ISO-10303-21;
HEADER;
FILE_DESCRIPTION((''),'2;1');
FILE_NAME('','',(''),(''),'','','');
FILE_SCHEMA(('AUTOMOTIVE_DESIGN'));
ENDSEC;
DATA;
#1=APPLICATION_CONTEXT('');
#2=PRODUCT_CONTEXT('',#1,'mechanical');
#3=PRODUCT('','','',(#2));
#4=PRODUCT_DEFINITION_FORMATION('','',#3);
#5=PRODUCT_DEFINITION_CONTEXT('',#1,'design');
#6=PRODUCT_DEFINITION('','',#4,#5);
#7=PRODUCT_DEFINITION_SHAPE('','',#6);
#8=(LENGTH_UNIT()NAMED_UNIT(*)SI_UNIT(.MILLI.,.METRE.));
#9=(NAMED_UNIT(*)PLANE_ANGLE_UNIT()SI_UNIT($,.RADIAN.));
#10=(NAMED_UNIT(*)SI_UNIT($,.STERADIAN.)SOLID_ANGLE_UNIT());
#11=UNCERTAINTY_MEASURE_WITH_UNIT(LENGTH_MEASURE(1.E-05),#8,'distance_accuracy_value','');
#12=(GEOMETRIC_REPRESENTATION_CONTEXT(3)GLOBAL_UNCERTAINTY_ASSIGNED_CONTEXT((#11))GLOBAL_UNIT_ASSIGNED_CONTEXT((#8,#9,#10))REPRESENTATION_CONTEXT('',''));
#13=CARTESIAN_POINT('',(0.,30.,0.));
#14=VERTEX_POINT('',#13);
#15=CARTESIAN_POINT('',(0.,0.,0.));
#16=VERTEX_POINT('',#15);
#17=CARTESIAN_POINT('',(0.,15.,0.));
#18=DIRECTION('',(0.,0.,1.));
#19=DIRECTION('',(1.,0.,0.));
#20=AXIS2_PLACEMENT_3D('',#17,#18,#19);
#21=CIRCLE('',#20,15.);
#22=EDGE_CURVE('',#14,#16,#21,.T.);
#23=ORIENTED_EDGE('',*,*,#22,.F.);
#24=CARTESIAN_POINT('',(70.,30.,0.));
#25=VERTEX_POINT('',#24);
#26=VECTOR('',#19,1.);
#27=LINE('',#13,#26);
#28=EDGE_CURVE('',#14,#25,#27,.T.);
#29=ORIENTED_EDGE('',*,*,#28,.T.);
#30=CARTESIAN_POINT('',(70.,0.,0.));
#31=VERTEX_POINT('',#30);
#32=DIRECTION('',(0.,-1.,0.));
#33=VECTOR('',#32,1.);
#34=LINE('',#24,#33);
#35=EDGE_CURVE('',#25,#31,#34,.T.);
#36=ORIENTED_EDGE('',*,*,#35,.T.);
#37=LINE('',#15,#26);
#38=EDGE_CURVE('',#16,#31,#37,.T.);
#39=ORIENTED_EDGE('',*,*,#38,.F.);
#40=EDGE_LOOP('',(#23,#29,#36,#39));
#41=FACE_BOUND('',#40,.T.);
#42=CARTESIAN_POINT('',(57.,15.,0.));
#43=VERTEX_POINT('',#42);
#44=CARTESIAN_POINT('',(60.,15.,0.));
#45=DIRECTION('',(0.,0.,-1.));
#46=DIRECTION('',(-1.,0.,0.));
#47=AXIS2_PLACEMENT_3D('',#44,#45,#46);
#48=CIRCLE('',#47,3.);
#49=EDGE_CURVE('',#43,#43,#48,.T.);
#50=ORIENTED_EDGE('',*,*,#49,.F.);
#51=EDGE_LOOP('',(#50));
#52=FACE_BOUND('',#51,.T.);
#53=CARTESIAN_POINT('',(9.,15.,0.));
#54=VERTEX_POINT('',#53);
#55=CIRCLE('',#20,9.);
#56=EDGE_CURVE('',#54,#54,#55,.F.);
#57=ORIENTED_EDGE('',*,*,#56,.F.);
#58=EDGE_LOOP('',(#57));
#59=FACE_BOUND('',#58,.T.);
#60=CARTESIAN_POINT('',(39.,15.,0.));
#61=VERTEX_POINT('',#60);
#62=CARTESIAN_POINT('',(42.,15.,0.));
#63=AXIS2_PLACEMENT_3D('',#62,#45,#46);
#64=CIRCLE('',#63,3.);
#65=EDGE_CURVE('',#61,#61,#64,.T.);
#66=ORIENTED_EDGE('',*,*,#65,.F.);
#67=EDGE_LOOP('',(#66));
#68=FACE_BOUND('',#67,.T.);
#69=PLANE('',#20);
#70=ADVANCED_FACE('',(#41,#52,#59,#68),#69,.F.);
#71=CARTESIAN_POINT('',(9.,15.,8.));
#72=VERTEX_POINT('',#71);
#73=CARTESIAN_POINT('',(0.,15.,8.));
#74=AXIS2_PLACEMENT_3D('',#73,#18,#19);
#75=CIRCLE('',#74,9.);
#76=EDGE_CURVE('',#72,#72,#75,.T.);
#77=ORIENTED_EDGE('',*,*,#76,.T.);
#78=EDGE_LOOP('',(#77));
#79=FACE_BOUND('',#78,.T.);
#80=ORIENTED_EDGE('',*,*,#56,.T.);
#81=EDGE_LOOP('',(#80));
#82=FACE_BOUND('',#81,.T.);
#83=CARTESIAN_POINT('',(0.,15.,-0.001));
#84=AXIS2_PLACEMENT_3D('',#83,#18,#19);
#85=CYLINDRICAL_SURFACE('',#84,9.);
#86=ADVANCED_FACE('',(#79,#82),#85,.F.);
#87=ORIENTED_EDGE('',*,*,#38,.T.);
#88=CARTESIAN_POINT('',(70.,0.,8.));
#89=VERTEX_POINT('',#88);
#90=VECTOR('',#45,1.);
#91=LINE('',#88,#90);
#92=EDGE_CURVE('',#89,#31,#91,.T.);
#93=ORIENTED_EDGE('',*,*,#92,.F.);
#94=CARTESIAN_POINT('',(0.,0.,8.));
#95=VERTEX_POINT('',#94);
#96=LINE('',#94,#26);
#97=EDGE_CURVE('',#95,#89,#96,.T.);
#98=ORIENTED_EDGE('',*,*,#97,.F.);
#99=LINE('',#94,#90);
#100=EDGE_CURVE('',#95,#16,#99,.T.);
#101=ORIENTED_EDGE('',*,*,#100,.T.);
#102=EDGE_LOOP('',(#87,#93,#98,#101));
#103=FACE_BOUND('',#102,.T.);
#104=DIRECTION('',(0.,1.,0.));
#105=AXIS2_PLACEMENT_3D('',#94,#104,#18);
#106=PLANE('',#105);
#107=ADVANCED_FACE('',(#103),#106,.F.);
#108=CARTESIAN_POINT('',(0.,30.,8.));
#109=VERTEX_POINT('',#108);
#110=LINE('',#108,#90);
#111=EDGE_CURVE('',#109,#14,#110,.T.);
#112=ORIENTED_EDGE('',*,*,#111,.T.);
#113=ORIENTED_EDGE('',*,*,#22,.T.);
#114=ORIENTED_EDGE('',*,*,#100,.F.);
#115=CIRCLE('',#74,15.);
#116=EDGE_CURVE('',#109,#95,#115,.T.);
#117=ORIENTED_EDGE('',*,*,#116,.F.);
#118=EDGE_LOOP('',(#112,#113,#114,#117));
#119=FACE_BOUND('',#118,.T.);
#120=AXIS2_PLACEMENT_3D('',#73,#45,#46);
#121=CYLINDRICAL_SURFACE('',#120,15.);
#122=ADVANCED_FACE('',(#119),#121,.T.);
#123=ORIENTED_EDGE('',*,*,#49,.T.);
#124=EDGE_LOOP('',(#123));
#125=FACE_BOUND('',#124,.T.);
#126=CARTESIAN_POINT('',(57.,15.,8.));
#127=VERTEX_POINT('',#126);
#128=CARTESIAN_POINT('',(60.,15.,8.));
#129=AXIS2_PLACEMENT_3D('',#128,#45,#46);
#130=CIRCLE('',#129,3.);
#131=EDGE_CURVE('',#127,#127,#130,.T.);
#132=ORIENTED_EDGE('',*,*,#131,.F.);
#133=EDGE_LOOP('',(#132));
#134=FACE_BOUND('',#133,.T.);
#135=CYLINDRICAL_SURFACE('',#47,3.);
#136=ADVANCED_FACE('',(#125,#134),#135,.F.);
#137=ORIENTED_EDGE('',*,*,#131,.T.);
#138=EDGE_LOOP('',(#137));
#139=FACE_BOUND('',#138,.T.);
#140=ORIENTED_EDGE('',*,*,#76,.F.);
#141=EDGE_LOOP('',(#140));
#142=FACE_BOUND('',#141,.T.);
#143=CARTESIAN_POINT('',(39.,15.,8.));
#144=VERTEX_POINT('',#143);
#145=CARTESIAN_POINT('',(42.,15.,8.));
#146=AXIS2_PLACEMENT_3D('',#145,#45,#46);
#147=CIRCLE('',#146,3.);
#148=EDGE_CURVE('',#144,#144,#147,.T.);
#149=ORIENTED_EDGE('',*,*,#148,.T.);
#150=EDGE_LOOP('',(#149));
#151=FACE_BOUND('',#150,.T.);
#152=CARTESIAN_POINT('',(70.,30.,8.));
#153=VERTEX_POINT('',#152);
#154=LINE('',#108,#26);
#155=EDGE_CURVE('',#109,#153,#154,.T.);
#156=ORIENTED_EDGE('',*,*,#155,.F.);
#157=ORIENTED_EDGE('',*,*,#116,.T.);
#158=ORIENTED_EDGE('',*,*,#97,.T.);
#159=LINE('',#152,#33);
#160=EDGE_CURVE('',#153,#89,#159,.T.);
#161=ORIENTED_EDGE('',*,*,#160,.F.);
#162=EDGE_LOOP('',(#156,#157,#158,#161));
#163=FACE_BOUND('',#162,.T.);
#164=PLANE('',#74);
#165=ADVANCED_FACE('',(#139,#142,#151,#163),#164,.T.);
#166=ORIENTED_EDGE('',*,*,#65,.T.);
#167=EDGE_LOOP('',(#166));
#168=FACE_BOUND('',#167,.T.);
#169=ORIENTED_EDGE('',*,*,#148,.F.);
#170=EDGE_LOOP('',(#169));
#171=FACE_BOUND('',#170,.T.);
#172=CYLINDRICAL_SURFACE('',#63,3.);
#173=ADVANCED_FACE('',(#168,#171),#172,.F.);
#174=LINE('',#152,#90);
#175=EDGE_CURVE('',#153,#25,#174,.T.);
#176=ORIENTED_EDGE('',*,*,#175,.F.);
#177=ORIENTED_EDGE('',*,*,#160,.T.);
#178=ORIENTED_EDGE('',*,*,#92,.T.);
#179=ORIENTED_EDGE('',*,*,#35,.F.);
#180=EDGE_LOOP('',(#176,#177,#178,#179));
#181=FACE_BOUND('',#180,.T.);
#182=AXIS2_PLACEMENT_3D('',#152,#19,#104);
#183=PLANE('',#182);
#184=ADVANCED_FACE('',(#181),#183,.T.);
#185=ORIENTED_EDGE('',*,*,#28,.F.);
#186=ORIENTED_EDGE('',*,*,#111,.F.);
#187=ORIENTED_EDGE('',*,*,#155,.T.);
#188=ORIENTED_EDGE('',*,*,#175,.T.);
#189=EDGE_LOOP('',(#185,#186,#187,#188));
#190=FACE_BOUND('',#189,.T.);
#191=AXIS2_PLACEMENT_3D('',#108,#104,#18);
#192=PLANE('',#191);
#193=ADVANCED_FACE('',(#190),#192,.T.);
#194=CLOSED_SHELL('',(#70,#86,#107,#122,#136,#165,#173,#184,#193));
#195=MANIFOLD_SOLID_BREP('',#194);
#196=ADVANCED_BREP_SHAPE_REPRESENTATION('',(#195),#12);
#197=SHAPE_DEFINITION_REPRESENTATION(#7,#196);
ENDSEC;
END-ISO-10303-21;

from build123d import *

# Parameters (mm, degrees)
BOSS_EXTRUDE1_DEPTH   = 8
CUT_EXTRUDE1_REACH    = 78.577
SKETCH2_R             = 9
F_6_0MM_DOWEL_HOLE1_D = 6


with BuildPart() as part:
    # Sketch1 → Boss-Extrude1 (new body)
    with BuildSketch(Plane.XY):
        with BuildLine():
            Line((0, 0), (70, 0))
            Line((70, 0), (70, 30))
            Line((70, 30), (0, 30))
            ThreePointArc((0, 30), (-15, 15), (0, 0))
        make_face()
    extrude(amount=BOSS_EXTRUDE1_DEPTH)

    # Sketch2 → Cut-Extrude1 (cut, up to next)
    with BuildSketch(Plane.XY.offset(8), mode=Mode.PRIVATE) as cut_extrude1_sk1:
        with Locations((0, 15)):
            Circle(SKETCH2_R)
    cut_extrude1_tool1 = extrude(cut_extrude1_sk1.sketch, amount=-CUT_EXTRUDE1_REACH, mode=Mode.PRIVATE) & part.part
    add(cut_extrude1_tool1.solids().sort_by_distance((0, 15, 8))[0], mode=Mode.SUBTRACT)

    # Ø6.0mm Dowel Hole1 (through all)
    with Locations(Plane(origin=(0, 0, 0), x_dir=(-1, 0, 0), z_dir=(0, 0, -1))):
        with Locations((-42, 15), (-60, 15)):
            Hole(F_6_0MM_DOWEL_HOLE1_D / 2)


solid = part.part
